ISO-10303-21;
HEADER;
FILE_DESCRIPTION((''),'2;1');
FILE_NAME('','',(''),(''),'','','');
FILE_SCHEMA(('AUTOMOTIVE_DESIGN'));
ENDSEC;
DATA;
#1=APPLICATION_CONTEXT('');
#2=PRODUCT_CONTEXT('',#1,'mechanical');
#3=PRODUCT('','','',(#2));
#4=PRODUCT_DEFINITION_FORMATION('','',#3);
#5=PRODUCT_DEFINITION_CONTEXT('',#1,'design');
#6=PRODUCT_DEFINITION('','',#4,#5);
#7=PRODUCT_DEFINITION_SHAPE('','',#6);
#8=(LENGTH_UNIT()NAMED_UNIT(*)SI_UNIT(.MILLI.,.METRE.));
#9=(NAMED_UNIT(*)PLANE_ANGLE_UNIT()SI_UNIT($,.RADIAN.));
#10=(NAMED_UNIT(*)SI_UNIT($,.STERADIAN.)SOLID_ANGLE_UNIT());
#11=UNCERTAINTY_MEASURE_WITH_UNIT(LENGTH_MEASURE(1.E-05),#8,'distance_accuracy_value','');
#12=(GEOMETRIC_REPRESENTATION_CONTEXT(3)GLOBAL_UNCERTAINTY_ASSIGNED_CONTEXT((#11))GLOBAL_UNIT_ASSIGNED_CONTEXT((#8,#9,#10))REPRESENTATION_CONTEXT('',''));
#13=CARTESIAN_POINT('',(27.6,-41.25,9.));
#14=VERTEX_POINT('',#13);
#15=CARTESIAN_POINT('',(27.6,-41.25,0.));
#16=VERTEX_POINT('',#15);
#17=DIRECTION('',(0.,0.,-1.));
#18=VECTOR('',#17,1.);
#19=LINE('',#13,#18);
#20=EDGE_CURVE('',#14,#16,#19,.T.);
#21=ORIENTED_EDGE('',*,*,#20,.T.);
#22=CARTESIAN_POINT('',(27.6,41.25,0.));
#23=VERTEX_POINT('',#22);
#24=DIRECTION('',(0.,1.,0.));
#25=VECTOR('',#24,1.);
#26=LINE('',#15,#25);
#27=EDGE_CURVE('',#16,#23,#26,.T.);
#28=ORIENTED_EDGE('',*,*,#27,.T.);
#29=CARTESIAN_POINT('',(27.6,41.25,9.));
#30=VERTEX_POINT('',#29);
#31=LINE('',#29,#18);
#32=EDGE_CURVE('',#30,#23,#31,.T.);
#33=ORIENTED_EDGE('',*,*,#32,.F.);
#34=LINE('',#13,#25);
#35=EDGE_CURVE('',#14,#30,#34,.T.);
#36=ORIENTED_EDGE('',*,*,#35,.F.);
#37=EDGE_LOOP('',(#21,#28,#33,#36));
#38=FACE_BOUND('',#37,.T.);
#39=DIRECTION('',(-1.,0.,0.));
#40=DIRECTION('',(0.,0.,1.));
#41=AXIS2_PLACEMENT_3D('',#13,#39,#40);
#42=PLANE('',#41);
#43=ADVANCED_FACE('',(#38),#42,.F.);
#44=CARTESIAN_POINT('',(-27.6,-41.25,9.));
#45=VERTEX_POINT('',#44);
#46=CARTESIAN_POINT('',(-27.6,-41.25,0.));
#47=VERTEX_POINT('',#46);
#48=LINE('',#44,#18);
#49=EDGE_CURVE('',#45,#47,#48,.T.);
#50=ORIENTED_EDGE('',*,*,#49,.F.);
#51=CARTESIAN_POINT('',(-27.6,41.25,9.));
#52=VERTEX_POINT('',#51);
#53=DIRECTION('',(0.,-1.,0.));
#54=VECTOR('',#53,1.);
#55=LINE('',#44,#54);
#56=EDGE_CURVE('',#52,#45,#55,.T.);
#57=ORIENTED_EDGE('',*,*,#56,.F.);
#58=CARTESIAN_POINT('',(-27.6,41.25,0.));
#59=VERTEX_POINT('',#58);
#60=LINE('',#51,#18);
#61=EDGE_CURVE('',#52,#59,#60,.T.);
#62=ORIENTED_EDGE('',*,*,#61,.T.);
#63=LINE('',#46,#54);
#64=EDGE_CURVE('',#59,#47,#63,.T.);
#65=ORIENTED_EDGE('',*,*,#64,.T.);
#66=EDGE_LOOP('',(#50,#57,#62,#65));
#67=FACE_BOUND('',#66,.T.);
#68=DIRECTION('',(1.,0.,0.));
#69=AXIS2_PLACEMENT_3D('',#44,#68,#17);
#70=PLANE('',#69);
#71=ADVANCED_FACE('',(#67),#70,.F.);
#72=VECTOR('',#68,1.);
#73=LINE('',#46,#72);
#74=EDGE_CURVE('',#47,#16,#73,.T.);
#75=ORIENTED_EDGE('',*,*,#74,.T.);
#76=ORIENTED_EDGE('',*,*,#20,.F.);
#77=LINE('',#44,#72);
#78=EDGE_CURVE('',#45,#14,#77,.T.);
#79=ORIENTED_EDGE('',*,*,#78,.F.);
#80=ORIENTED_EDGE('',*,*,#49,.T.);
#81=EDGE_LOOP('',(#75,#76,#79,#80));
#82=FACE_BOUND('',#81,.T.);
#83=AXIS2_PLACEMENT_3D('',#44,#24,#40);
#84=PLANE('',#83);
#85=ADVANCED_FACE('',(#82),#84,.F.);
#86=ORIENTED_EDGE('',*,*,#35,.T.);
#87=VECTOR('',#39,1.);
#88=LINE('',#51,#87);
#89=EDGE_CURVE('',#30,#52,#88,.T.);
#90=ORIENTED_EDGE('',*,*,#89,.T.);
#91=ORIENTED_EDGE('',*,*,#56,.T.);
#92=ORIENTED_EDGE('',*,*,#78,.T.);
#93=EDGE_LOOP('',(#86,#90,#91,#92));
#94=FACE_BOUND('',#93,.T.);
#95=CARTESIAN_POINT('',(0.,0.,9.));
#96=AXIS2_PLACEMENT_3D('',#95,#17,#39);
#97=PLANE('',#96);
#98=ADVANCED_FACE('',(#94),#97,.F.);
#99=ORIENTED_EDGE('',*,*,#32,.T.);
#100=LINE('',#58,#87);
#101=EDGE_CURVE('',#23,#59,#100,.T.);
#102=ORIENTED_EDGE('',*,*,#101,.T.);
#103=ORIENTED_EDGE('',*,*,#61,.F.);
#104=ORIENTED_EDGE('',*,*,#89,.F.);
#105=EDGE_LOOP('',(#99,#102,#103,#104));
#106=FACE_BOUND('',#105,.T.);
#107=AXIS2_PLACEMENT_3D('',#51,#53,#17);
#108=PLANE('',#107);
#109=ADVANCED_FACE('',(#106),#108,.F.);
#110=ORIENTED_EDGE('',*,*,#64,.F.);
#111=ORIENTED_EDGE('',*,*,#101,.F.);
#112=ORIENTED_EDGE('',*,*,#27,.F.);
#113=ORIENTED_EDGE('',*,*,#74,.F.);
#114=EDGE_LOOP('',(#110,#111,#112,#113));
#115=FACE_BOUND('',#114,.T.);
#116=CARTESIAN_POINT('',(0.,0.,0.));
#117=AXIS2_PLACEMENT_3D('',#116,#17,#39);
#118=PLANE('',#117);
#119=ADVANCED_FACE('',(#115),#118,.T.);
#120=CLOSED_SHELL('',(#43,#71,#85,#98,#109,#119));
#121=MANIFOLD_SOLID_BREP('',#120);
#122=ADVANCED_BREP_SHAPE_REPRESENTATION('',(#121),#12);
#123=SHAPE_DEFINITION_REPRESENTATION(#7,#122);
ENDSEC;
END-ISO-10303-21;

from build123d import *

# Parameters (mm, degrees)
SKETCH1_W           = 55.2
SKETCH1_H           = 82.5
BOSS_EXTRUDE1_DEPTH = 9


with BuildPart() as part:
    # Sketch1 → Boss-Extrude1 (new body)
    with BuildSketch(Plane.XY):
        Rectangle(SKETCH1_W, SKETCH1_H)
    extrude(amount=BOSS_EXTRUDE1_DEPTH)


solid = part.part
